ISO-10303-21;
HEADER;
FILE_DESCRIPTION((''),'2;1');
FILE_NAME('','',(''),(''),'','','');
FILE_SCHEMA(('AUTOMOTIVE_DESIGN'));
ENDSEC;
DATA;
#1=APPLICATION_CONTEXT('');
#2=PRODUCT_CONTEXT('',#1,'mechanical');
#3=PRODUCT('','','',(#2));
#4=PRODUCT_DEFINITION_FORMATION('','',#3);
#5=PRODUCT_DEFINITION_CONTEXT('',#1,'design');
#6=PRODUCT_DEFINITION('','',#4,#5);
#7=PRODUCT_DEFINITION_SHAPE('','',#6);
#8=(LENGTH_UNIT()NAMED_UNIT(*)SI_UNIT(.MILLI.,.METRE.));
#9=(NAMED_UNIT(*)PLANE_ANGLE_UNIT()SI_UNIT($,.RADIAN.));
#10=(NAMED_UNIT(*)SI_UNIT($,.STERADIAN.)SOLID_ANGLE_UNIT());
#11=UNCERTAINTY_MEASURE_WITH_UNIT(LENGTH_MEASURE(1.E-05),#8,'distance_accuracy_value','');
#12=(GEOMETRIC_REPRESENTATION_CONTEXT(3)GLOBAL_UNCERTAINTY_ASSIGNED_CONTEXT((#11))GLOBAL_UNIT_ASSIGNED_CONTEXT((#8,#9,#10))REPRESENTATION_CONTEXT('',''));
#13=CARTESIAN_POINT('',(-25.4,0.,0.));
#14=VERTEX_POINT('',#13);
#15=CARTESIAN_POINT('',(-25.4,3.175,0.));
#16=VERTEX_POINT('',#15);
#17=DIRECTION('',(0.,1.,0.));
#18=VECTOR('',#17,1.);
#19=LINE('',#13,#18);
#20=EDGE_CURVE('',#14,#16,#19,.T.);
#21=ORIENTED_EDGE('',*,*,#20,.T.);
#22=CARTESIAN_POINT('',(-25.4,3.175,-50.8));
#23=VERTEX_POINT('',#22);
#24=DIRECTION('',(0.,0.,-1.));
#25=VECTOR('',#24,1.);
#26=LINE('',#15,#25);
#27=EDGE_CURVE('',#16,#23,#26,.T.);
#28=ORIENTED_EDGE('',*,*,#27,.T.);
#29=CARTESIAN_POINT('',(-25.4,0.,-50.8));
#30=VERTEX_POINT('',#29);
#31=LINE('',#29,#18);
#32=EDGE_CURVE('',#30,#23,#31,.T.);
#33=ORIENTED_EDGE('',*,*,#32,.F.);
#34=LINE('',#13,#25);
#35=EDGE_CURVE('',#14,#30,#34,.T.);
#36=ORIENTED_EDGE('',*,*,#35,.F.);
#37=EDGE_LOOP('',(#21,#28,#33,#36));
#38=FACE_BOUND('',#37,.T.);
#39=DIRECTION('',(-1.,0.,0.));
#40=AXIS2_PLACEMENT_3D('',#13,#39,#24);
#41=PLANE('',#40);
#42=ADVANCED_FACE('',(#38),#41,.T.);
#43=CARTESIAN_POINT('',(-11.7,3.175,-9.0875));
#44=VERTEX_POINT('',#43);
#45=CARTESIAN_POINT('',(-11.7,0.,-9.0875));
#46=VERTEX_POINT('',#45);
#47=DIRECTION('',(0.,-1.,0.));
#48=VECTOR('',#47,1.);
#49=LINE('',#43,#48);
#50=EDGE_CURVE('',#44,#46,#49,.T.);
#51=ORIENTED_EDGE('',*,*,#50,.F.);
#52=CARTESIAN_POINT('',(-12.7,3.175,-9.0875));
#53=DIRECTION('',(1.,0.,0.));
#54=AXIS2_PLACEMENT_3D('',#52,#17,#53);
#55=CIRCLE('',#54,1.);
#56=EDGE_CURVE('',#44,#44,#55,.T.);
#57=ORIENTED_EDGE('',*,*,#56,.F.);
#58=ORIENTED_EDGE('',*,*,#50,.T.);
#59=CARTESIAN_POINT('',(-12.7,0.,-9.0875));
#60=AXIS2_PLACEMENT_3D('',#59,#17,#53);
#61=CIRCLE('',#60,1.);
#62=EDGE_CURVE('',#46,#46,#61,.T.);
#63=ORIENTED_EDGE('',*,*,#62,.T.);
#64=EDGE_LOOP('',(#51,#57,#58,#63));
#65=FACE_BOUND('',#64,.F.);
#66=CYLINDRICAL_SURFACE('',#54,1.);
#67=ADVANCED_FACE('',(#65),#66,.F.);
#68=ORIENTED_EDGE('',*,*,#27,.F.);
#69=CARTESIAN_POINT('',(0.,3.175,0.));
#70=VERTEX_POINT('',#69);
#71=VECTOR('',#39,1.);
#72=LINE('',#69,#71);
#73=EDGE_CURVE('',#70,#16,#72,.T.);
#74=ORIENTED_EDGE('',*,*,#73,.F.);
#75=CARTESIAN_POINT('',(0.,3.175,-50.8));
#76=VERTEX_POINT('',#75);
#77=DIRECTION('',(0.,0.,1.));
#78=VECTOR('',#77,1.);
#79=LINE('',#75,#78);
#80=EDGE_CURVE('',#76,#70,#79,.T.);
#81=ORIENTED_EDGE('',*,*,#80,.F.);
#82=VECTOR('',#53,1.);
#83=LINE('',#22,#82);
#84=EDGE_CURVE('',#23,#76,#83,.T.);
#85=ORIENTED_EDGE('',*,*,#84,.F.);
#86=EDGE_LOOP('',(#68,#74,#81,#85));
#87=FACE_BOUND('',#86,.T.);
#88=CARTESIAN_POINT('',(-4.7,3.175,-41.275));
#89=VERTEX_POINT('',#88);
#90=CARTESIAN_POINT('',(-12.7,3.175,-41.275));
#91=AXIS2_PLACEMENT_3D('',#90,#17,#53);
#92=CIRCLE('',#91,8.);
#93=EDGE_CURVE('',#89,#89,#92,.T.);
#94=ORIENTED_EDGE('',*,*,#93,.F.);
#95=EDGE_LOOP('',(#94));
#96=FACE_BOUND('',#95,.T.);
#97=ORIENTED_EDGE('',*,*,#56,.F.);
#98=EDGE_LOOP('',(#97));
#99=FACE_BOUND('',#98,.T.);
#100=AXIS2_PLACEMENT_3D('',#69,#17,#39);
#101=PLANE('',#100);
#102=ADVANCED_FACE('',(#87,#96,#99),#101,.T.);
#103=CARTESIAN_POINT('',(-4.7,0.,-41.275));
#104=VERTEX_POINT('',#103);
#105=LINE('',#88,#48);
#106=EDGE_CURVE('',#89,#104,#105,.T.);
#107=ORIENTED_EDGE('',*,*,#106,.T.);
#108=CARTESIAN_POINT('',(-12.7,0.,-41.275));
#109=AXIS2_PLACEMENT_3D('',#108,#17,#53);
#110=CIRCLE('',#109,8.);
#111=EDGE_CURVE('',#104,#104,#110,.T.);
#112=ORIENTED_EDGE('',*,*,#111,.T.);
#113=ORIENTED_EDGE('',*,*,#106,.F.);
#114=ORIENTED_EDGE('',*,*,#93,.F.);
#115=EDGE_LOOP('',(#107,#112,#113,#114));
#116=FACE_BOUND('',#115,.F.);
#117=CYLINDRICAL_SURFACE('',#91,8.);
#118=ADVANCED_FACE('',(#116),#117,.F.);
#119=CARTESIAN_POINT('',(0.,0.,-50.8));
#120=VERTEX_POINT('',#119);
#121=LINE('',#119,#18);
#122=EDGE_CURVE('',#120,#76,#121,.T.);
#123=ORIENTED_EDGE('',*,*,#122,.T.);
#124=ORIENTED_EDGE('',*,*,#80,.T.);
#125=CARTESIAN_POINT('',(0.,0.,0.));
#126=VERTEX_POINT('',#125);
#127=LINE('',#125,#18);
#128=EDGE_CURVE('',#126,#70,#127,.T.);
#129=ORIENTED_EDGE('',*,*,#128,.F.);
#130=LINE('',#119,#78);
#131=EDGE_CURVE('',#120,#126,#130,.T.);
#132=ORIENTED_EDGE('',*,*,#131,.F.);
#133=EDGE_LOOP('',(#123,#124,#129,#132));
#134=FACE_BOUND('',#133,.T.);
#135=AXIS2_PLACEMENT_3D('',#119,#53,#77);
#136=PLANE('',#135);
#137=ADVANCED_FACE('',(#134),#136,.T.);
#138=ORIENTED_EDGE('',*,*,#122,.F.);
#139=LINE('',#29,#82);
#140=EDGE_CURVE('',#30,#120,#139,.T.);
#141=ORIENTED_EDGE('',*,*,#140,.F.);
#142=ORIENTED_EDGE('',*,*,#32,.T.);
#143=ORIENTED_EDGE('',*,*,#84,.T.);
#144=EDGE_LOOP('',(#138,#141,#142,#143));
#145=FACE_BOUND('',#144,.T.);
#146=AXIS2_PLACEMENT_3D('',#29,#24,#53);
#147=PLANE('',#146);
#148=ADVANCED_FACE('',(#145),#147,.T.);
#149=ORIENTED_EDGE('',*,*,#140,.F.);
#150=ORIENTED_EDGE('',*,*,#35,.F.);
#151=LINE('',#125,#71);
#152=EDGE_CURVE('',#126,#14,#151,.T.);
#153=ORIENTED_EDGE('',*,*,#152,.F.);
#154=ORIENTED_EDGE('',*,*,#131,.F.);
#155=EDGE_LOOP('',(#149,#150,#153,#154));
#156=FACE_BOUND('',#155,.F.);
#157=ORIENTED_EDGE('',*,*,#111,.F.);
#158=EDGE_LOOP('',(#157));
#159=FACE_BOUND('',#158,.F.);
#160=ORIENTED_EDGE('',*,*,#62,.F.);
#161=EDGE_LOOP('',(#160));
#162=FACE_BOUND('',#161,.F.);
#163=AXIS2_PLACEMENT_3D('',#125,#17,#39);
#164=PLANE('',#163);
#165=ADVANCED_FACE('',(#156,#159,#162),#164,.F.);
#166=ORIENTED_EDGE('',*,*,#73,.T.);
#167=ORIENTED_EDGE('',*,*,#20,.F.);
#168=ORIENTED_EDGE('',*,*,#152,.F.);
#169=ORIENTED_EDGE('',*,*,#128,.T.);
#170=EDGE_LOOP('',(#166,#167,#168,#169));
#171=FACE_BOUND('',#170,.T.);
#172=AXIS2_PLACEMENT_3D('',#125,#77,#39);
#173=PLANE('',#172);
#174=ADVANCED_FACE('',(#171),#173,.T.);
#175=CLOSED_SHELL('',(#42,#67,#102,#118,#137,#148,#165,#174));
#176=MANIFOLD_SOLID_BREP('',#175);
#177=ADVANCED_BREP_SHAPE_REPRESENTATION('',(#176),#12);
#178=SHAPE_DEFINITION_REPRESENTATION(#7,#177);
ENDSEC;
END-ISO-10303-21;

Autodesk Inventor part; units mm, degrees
ref_plane "YZ Plane" through (0, 0, 0) normal (1, 0, 0) x (0, 1, 0)
ref_plane "XZ Plane" through (0, 0, 0) normal (0, 1, 0) x (-1, 0, 0)
ref_plane "XY Plane" through (0, 0, 0) normal (0, 0, 1) x (1, 0, 0)
sketch "Sketch1" plane through (0, 0, 0) normal (0, 1, 0) x (-1, 0, 0)
  line L0 (0, 0) -> (25.4, 0)
  line L1 (25.4, 0) -> (25.4, -50.8)
  line L2 (25.4, -50.8) -> (0, -50.8)
  line L3 (0, -50.8) -> (0, 0)
  dimension "d0" = 25.4
  dimension "d1" = 50.8
extrude "Extrusion1" add sketch "Sketch1" along normal blind 3.175
sketch "Sketch2" plane through (0, 3.175, 0) normal (0, 1, 0) x (1, 0, 0)
  circle A0 centre (-12.7, 9.0875) radius 1
  line L0 (-25.4, 0) -> (0, 0) projected
  line L1 (-25.4, 50.8) -> (-25.4, 0) projected
  circle A1 centre (-12.7, 41.275) radius 8
  line L2 (0, 50.8) -> (-25.4, 50.8) projected
  dimension "d4" = 2
  dimension "d5" = 9.0875
  dimension "d6" = 12.7
  dimension "d7" = 16
  dimension "d8" = 9.525
  dimension "d9" = 12.7
extrude "Extrusion2" cut sketch "Sketch2" against normal blind 3.175
properties part number "bottombearing_holder"
